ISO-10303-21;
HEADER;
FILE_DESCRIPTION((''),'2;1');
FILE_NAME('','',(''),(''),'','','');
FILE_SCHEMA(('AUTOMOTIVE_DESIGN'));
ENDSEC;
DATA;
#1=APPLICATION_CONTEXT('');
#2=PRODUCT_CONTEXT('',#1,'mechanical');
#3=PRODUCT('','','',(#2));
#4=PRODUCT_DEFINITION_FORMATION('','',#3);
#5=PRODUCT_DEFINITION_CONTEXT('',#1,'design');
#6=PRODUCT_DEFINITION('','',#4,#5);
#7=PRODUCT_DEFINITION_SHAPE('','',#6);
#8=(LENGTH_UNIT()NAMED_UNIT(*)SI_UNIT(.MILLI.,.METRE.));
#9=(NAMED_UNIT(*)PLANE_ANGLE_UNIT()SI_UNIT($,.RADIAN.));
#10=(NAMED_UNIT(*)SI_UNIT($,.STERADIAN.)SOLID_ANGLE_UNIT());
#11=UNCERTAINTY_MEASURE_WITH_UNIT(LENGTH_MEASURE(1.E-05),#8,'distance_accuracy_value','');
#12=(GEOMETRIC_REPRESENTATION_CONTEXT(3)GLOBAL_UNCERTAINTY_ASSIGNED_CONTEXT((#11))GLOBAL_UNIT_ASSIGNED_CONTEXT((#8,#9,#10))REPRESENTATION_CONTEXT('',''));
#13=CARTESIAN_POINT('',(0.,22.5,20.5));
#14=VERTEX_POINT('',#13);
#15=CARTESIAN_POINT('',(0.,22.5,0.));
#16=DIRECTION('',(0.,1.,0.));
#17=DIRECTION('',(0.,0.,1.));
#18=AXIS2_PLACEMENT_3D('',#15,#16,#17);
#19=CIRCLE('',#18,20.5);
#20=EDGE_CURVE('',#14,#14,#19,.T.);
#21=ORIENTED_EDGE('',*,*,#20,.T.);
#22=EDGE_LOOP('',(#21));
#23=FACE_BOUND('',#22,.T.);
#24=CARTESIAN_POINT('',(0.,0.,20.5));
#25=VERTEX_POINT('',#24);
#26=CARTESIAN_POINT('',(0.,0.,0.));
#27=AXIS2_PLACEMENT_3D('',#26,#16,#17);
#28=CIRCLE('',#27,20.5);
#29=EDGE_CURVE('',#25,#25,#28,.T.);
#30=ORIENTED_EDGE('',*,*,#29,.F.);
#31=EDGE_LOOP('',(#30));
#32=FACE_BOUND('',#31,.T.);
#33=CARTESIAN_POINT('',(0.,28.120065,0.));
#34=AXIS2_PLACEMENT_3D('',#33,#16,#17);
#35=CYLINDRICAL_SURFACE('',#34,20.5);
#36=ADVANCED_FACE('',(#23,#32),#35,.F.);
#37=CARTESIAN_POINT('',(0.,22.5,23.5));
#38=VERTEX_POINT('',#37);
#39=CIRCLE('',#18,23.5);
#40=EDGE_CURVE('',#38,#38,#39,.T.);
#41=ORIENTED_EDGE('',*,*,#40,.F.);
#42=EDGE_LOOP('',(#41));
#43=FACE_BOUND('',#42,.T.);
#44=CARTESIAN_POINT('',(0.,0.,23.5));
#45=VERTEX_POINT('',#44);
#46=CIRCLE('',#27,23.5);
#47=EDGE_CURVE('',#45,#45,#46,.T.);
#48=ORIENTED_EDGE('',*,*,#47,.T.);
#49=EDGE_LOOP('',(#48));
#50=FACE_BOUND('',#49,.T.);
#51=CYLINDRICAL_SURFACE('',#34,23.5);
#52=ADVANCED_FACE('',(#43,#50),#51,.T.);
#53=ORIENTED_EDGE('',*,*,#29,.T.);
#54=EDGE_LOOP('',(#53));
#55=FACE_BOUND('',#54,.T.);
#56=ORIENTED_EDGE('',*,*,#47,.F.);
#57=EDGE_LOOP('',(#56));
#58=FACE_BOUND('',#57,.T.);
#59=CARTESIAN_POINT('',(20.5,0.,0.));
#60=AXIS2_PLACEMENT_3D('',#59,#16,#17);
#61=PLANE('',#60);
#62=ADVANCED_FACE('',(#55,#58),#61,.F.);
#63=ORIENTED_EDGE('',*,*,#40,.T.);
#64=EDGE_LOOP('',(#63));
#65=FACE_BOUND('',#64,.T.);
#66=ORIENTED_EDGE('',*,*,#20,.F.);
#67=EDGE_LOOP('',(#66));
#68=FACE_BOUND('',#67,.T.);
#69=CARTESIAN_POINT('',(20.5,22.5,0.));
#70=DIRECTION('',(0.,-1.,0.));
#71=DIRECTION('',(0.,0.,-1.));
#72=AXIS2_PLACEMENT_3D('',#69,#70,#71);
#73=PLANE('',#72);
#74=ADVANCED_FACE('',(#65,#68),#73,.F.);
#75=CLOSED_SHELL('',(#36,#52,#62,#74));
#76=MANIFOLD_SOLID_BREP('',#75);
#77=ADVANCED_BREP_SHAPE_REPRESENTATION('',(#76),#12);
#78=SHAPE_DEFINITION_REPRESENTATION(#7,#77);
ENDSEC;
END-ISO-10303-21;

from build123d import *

# Parameters (mm, degrees)
ESQUISSE1_W = 3
ESQUISSE1_H = 22.5


with BuildPart() as part:
    # Esquisse1 → Révolution1 (revolve)
    with BuildSketch(Plane.XY, mode=Mode.PRIVATE) as r_volution1_sk:
        with Locations((22, 11.25)):
            Rectangle(ESQUISSE1_W, ESQUISSE1_H)
    revolve(r_volution1_sk.sketch.rotate(Axis((0, 28.120065129, 0), (0, -1, 0)), 90), axis=Axis((0, 28.120065129, 0), (0, -1, 0)))


solid = part.part
